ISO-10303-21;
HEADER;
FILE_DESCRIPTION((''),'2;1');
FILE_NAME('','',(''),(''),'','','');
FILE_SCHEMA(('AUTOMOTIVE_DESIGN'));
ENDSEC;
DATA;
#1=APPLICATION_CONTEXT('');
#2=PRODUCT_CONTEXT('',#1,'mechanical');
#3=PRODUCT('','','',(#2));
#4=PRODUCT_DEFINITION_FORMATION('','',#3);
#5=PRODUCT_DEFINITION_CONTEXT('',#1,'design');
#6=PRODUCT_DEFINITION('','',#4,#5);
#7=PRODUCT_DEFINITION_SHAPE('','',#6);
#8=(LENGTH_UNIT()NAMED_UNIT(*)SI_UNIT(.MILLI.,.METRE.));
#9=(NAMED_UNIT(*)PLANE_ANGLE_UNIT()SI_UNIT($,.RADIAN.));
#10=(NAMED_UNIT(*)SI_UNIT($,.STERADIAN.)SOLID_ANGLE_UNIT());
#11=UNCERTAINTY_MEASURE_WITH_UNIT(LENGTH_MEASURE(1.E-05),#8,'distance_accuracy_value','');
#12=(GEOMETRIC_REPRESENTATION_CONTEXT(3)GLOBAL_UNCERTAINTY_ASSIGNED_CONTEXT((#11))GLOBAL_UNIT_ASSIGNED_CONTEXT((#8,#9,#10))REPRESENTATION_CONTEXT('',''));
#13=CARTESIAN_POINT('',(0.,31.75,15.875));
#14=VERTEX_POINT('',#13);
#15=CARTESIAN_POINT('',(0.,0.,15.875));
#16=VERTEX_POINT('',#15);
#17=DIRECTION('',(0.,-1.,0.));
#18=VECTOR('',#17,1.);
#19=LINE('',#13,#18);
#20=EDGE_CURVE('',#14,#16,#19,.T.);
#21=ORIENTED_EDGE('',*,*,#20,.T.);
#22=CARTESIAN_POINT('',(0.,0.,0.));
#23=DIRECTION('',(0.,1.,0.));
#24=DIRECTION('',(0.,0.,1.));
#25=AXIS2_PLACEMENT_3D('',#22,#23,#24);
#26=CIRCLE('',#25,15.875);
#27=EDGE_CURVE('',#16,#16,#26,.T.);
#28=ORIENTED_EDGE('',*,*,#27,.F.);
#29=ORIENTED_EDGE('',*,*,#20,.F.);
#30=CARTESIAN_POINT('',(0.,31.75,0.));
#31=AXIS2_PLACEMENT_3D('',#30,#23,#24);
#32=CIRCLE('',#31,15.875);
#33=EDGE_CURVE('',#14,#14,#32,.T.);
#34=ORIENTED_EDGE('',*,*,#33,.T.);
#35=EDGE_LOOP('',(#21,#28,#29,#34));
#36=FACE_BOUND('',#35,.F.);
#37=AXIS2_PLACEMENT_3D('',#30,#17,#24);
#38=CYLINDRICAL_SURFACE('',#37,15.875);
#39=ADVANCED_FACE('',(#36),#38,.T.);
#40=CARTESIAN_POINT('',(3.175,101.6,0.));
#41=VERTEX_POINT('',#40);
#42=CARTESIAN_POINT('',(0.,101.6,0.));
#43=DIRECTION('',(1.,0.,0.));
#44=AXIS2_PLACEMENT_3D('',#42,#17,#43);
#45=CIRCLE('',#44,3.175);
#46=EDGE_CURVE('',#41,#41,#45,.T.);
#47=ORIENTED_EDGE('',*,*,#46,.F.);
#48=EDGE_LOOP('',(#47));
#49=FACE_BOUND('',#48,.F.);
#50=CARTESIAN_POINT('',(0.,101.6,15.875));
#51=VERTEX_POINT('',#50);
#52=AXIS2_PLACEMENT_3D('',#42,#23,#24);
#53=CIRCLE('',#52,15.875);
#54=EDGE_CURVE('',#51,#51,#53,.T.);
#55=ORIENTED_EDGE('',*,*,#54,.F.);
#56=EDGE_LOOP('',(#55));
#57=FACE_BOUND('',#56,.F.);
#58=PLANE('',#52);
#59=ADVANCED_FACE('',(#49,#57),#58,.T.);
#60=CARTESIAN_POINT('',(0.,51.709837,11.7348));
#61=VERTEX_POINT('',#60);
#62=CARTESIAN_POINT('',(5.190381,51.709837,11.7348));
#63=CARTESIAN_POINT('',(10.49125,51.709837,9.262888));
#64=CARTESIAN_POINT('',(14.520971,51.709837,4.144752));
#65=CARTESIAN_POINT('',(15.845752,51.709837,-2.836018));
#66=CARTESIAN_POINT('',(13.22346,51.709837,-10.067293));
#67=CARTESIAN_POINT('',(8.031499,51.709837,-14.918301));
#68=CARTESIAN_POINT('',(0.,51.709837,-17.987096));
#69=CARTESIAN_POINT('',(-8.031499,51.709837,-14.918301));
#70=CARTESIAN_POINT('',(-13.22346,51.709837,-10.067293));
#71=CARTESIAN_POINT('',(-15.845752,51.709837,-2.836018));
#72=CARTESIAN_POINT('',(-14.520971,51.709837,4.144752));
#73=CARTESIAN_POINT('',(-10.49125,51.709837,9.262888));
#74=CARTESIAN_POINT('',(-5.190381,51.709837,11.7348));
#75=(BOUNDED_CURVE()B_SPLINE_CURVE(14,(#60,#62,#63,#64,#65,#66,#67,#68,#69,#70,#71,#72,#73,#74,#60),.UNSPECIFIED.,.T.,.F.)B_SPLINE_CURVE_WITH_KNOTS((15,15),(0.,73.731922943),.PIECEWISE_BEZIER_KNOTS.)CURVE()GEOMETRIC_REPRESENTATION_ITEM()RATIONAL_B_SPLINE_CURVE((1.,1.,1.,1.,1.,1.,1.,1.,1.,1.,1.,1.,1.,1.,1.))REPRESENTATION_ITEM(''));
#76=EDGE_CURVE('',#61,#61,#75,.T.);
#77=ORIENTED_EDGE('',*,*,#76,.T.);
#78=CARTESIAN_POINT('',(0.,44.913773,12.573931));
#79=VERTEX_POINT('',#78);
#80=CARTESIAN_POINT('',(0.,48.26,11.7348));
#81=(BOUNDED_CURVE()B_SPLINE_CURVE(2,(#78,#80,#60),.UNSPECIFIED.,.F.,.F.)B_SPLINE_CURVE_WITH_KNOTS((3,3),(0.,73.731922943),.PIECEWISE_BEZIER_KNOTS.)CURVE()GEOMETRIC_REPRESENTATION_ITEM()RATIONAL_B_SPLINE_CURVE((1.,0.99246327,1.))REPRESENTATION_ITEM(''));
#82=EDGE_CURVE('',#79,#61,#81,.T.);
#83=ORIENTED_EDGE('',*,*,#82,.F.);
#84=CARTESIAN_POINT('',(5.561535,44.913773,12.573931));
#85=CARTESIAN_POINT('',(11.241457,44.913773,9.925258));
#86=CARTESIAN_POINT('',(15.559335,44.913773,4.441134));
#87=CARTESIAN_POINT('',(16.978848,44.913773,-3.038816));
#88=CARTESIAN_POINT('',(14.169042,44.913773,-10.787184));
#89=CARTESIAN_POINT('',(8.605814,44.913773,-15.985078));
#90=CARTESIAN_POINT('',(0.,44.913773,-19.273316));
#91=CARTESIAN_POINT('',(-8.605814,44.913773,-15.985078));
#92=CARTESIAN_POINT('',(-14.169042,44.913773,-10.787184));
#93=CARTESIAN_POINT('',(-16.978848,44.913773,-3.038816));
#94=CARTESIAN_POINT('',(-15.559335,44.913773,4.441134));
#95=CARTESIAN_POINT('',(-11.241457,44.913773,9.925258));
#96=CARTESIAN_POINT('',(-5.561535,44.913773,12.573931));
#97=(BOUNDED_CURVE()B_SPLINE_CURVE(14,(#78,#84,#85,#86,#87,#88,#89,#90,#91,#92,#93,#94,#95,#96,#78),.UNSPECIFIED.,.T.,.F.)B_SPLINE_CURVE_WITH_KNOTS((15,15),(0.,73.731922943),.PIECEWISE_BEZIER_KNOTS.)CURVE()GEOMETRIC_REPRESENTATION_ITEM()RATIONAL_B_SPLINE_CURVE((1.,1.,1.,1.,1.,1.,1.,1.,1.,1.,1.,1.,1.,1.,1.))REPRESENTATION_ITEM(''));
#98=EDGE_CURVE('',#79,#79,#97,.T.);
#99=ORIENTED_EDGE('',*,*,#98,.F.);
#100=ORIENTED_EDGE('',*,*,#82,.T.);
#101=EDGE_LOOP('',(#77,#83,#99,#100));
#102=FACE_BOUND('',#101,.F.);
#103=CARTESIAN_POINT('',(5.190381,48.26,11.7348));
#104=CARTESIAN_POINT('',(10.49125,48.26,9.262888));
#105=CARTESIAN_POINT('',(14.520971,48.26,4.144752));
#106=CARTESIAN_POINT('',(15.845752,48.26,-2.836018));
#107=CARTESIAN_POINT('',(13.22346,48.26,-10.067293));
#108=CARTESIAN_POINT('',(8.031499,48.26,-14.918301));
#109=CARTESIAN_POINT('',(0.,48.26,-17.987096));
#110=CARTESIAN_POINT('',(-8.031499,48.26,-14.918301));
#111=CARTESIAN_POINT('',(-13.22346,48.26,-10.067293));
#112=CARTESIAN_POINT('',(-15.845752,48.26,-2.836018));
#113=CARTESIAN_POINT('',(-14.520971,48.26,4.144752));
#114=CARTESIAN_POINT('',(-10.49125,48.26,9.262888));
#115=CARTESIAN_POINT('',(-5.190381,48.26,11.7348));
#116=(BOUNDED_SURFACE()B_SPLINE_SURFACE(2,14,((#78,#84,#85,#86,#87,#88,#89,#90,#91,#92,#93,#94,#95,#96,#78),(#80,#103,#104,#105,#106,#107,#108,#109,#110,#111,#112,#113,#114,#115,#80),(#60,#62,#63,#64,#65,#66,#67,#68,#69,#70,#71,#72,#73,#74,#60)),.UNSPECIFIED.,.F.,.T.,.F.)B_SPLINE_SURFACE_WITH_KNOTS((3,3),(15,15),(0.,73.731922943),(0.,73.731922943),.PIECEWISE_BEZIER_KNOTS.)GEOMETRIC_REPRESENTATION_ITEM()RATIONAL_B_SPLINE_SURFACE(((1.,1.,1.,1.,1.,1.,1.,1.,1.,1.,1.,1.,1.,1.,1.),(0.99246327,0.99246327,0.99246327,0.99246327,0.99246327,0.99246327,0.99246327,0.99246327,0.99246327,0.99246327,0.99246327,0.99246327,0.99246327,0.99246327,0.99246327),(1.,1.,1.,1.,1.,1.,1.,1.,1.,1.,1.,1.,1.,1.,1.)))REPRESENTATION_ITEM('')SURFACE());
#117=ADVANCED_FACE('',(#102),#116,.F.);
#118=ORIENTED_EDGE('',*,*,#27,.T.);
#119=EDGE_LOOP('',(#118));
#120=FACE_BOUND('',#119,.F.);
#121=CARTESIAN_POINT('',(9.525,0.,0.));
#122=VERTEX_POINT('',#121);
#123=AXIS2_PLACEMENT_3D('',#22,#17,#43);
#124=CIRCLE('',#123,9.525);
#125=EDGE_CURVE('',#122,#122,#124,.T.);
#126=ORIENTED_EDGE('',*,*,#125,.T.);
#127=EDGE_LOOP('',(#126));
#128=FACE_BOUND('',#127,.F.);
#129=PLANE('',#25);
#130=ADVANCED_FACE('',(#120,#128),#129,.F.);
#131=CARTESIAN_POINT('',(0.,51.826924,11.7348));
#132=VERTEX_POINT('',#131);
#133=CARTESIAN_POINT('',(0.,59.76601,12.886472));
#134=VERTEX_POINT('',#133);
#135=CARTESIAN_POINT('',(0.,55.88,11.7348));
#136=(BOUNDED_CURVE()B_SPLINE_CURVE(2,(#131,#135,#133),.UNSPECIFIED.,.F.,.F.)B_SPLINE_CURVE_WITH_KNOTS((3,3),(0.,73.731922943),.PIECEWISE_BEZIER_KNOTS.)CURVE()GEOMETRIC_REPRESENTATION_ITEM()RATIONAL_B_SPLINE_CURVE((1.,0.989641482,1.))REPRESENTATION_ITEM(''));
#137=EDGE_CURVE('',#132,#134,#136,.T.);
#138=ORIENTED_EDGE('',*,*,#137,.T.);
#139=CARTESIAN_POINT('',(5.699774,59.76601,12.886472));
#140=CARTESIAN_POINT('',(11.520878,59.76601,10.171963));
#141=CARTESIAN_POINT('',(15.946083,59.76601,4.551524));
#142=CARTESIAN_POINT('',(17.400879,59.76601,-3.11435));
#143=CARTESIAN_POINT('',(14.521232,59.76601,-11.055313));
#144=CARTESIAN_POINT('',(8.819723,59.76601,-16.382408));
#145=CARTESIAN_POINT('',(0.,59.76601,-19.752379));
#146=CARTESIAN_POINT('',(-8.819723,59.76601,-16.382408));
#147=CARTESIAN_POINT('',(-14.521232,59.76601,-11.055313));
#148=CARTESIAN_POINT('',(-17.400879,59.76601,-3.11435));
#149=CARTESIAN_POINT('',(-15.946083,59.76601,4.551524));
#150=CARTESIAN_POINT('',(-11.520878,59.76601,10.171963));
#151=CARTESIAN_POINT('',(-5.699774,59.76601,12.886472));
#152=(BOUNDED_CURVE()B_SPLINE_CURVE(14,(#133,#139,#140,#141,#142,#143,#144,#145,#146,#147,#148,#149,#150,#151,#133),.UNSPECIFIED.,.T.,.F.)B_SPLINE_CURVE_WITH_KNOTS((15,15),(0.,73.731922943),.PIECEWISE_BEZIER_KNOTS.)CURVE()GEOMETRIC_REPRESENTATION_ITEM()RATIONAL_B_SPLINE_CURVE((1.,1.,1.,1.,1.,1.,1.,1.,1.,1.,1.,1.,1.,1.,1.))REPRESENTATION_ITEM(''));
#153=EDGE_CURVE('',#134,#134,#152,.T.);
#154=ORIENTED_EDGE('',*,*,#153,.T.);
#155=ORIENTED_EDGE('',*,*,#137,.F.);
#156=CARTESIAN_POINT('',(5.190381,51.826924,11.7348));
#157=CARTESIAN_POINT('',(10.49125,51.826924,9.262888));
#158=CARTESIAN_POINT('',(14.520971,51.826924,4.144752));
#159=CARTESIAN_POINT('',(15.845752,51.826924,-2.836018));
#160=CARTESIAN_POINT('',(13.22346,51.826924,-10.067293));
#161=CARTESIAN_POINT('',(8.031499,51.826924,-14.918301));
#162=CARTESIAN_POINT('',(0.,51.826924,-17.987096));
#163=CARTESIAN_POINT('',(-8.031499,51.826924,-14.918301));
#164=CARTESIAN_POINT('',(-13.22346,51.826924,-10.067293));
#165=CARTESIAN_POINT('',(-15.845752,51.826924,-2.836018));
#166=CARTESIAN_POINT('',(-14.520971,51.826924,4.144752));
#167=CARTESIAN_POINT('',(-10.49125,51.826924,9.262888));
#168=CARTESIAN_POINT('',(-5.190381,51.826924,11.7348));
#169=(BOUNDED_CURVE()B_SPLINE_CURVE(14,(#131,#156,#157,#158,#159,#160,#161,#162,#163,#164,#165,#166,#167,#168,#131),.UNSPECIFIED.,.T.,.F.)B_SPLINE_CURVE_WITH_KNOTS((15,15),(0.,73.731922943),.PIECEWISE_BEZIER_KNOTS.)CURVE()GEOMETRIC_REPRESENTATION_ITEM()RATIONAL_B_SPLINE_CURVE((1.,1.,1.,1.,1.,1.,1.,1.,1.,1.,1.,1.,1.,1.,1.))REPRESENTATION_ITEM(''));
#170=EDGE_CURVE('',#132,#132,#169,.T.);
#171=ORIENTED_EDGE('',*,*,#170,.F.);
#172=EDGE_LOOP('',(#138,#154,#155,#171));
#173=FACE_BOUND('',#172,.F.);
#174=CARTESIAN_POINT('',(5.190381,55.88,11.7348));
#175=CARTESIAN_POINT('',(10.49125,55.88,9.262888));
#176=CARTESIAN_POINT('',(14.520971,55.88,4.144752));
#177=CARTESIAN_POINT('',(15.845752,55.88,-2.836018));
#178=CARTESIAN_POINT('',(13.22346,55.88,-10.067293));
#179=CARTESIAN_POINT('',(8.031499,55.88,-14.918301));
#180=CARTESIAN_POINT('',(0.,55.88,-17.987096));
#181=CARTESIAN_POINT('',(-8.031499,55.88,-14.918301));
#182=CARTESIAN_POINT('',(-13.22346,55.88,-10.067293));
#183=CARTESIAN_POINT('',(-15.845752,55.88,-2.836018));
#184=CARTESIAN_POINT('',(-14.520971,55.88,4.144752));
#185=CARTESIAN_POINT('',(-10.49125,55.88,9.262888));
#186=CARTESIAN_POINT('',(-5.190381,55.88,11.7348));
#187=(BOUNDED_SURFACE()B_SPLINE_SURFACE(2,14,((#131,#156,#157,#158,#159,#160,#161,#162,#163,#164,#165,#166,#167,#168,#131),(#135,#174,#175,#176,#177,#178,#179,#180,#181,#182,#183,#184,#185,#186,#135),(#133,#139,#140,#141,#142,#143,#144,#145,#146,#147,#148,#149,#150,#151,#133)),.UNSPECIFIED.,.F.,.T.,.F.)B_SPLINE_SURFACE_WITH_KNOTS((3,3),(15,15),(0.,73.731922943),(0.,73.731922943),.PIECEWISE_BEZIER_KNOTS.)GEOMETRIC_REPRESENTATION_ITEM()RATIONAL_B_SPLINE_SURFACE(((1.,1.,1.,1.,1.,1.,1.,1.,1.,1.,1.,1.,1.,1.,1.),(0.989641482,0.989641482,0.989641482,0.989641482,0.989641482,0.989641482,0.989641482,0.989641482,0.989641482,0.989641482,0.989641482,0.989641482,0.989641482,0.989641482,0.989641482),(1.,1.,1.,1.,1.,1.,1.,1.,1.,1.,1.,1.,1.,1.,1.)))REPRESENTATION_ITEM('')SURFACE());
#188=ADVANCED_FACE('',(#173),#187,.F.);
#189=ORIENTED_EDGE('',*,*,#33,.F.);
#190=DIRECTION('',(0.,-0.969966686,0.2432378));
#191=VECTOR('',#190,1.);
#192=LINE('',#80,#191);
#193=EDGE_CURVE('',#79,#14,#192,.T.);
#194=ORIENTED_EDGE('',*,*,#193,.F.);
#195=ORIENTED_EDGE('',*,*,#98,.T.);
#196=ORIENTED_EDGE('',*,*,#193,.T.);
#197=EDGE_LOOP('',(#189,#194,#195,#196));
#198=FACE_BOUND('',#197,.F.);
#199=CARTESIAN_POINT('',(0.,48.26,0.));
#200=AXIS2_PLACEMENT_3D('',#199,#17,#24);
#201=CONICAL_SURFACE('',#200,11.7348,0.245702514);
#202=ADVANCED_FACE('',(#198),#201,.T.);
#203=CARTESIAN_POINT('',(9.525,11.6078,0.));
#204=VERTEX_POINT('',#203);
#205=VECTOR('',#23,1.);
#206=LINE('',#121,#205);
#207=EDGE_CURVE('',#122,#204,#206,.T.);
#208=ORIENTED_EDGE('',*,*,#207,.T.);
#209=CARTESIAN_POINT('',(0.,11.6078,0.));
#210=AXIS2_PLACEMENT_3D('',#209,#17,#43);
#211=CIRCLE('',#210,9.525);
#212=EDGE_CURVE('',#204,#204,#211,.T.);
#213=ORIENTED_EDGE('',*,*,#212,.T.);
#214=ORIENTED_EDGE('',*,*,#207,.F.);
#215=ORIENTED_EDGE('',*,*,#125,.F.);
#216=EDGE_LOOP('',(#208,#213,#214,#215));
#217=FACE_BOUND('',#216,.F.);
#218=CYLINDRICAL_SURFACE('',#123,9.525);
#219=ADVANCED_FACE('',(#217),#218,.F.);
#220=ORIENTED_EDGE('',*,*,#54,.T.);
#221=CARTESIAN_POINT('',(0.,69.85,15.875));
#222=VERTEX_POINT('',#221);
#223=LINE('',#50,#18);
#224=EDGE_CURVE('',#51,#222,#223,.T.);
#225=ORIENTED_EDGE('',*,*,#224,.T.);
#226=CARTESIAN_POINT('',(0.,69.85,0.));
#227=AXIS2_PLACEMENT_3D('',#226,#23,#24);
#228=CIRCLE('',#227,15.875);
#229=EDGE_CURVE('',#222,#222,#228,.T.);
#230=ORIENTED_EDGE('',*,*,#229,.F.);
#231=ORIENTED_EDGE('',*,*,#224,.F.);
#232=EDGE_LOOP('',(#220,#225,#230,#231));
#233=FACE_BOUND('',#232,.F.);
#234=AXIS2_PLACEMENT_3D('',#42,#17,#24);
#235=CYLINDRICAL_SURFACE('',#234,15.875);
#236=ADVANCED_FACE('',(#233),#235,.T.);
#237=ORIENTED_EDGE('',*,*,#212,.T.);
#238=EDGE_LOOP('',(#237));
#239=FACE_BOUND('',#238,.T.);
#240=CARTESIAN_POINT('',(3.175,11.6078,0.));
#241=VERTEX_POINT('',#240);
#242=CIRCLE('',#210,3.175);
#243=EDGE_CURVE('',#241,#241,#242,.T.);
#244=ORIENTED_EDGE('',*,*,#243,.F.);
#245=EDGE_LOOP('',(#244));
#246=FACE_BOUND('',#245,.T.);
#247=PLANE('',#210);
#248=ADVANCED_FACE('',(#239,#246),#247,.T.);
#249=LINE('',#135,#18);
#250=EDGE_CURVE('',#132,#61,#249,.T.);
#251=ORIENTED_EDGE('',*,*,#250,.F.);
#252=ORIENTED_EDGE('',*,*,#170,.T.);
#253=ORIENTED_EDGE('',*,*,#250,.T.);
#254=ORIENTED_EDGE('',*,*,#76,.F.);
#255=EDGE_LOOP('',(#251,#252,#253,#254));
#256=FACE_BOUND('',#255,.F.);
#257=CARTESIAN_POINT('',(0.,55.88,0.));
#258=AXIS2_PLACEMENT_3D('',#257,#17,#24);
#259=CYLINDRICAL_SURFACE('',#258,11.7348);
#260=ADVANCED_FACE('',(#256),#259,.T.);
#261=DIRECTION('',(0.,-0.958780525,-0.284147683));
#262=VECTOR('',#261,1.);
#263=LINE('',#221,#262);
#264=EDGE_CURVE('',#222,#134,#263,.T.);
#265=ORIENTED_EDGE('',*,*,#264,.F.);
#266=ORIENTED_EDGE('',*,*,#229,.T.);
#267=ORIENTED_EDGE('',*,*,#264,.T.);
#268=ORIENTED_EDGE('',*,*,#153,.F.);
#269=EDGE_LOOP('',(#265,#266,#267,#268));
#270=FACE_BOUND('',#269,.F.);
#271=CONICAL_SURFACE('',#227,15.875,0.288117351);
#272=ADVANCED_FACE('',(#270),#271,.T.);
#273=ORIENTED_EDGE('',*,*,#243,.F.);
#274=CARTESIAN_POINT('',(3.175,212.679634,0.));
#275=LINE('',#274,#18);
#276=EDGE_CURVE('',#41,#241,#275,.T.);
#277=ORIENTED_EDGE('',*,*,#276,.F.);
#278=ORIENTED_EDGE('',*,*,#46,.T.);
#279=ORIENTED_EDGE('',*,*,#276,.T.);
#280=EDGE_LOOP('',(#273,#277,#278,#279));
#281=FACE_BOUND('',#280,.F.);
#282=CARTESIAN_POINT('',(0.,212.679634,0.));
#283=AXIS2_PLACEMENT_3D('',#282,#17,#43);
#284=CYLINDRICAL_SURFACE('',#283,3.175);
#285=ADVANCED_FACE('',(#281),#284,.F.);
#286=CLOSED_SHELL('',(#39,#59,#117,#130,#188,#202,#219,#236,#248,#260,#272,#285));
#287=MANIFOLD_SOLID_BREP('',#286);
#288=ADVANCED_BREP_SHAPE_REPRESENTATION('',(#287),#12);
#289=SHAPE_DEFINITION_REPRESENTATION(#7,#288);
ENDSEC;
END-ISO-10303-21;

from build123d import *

# Parameters (mm, degrees)
F2_R     = 9.525
F3_DEPTH = 11.6078
F5_D     = 6.35
F6_R     = 27.94


with BuildPart() as f1:
    # F0 (on Right) → F1 (revolve)
    with BuildSketch(Plane.YZ):
        Polygon((0, 15.875), (0, 0), (101.6, 0), (101.6, 15.875), (69.85, 15.875), (55.88, 11.7348), (48.26, 11.7348), (31.75, 15.875), align=None)
    revolve(axis=Axis((0, 35.272012, 0), (0, 1, 0)))

    # F2 (on face) → F3 (cut)
    with BuildSketch(Plane.XZ):
        Circle(F2_R)
    extrude(amount=-F3_DEPTH, mode=Mode.SUBTRACT)

    # F5 (through all)
    with Locations(Plane(origin=(0, 101.6, 0), x_dir=(-1, 0, 0), z_dir=(0, 1, 0))):
        with Locations((0, 0)):
            Hole(F5_D / 2)

    # F6
    f6_edges = [f1.edges().sort_by_distance(p)[0] for p in [
        (0, 48.26, -11.7348),
        (0, 55.88, -11.7348),
    ]]
    fillet(f6_edges, radius=F6_R)


solid = f1.part
